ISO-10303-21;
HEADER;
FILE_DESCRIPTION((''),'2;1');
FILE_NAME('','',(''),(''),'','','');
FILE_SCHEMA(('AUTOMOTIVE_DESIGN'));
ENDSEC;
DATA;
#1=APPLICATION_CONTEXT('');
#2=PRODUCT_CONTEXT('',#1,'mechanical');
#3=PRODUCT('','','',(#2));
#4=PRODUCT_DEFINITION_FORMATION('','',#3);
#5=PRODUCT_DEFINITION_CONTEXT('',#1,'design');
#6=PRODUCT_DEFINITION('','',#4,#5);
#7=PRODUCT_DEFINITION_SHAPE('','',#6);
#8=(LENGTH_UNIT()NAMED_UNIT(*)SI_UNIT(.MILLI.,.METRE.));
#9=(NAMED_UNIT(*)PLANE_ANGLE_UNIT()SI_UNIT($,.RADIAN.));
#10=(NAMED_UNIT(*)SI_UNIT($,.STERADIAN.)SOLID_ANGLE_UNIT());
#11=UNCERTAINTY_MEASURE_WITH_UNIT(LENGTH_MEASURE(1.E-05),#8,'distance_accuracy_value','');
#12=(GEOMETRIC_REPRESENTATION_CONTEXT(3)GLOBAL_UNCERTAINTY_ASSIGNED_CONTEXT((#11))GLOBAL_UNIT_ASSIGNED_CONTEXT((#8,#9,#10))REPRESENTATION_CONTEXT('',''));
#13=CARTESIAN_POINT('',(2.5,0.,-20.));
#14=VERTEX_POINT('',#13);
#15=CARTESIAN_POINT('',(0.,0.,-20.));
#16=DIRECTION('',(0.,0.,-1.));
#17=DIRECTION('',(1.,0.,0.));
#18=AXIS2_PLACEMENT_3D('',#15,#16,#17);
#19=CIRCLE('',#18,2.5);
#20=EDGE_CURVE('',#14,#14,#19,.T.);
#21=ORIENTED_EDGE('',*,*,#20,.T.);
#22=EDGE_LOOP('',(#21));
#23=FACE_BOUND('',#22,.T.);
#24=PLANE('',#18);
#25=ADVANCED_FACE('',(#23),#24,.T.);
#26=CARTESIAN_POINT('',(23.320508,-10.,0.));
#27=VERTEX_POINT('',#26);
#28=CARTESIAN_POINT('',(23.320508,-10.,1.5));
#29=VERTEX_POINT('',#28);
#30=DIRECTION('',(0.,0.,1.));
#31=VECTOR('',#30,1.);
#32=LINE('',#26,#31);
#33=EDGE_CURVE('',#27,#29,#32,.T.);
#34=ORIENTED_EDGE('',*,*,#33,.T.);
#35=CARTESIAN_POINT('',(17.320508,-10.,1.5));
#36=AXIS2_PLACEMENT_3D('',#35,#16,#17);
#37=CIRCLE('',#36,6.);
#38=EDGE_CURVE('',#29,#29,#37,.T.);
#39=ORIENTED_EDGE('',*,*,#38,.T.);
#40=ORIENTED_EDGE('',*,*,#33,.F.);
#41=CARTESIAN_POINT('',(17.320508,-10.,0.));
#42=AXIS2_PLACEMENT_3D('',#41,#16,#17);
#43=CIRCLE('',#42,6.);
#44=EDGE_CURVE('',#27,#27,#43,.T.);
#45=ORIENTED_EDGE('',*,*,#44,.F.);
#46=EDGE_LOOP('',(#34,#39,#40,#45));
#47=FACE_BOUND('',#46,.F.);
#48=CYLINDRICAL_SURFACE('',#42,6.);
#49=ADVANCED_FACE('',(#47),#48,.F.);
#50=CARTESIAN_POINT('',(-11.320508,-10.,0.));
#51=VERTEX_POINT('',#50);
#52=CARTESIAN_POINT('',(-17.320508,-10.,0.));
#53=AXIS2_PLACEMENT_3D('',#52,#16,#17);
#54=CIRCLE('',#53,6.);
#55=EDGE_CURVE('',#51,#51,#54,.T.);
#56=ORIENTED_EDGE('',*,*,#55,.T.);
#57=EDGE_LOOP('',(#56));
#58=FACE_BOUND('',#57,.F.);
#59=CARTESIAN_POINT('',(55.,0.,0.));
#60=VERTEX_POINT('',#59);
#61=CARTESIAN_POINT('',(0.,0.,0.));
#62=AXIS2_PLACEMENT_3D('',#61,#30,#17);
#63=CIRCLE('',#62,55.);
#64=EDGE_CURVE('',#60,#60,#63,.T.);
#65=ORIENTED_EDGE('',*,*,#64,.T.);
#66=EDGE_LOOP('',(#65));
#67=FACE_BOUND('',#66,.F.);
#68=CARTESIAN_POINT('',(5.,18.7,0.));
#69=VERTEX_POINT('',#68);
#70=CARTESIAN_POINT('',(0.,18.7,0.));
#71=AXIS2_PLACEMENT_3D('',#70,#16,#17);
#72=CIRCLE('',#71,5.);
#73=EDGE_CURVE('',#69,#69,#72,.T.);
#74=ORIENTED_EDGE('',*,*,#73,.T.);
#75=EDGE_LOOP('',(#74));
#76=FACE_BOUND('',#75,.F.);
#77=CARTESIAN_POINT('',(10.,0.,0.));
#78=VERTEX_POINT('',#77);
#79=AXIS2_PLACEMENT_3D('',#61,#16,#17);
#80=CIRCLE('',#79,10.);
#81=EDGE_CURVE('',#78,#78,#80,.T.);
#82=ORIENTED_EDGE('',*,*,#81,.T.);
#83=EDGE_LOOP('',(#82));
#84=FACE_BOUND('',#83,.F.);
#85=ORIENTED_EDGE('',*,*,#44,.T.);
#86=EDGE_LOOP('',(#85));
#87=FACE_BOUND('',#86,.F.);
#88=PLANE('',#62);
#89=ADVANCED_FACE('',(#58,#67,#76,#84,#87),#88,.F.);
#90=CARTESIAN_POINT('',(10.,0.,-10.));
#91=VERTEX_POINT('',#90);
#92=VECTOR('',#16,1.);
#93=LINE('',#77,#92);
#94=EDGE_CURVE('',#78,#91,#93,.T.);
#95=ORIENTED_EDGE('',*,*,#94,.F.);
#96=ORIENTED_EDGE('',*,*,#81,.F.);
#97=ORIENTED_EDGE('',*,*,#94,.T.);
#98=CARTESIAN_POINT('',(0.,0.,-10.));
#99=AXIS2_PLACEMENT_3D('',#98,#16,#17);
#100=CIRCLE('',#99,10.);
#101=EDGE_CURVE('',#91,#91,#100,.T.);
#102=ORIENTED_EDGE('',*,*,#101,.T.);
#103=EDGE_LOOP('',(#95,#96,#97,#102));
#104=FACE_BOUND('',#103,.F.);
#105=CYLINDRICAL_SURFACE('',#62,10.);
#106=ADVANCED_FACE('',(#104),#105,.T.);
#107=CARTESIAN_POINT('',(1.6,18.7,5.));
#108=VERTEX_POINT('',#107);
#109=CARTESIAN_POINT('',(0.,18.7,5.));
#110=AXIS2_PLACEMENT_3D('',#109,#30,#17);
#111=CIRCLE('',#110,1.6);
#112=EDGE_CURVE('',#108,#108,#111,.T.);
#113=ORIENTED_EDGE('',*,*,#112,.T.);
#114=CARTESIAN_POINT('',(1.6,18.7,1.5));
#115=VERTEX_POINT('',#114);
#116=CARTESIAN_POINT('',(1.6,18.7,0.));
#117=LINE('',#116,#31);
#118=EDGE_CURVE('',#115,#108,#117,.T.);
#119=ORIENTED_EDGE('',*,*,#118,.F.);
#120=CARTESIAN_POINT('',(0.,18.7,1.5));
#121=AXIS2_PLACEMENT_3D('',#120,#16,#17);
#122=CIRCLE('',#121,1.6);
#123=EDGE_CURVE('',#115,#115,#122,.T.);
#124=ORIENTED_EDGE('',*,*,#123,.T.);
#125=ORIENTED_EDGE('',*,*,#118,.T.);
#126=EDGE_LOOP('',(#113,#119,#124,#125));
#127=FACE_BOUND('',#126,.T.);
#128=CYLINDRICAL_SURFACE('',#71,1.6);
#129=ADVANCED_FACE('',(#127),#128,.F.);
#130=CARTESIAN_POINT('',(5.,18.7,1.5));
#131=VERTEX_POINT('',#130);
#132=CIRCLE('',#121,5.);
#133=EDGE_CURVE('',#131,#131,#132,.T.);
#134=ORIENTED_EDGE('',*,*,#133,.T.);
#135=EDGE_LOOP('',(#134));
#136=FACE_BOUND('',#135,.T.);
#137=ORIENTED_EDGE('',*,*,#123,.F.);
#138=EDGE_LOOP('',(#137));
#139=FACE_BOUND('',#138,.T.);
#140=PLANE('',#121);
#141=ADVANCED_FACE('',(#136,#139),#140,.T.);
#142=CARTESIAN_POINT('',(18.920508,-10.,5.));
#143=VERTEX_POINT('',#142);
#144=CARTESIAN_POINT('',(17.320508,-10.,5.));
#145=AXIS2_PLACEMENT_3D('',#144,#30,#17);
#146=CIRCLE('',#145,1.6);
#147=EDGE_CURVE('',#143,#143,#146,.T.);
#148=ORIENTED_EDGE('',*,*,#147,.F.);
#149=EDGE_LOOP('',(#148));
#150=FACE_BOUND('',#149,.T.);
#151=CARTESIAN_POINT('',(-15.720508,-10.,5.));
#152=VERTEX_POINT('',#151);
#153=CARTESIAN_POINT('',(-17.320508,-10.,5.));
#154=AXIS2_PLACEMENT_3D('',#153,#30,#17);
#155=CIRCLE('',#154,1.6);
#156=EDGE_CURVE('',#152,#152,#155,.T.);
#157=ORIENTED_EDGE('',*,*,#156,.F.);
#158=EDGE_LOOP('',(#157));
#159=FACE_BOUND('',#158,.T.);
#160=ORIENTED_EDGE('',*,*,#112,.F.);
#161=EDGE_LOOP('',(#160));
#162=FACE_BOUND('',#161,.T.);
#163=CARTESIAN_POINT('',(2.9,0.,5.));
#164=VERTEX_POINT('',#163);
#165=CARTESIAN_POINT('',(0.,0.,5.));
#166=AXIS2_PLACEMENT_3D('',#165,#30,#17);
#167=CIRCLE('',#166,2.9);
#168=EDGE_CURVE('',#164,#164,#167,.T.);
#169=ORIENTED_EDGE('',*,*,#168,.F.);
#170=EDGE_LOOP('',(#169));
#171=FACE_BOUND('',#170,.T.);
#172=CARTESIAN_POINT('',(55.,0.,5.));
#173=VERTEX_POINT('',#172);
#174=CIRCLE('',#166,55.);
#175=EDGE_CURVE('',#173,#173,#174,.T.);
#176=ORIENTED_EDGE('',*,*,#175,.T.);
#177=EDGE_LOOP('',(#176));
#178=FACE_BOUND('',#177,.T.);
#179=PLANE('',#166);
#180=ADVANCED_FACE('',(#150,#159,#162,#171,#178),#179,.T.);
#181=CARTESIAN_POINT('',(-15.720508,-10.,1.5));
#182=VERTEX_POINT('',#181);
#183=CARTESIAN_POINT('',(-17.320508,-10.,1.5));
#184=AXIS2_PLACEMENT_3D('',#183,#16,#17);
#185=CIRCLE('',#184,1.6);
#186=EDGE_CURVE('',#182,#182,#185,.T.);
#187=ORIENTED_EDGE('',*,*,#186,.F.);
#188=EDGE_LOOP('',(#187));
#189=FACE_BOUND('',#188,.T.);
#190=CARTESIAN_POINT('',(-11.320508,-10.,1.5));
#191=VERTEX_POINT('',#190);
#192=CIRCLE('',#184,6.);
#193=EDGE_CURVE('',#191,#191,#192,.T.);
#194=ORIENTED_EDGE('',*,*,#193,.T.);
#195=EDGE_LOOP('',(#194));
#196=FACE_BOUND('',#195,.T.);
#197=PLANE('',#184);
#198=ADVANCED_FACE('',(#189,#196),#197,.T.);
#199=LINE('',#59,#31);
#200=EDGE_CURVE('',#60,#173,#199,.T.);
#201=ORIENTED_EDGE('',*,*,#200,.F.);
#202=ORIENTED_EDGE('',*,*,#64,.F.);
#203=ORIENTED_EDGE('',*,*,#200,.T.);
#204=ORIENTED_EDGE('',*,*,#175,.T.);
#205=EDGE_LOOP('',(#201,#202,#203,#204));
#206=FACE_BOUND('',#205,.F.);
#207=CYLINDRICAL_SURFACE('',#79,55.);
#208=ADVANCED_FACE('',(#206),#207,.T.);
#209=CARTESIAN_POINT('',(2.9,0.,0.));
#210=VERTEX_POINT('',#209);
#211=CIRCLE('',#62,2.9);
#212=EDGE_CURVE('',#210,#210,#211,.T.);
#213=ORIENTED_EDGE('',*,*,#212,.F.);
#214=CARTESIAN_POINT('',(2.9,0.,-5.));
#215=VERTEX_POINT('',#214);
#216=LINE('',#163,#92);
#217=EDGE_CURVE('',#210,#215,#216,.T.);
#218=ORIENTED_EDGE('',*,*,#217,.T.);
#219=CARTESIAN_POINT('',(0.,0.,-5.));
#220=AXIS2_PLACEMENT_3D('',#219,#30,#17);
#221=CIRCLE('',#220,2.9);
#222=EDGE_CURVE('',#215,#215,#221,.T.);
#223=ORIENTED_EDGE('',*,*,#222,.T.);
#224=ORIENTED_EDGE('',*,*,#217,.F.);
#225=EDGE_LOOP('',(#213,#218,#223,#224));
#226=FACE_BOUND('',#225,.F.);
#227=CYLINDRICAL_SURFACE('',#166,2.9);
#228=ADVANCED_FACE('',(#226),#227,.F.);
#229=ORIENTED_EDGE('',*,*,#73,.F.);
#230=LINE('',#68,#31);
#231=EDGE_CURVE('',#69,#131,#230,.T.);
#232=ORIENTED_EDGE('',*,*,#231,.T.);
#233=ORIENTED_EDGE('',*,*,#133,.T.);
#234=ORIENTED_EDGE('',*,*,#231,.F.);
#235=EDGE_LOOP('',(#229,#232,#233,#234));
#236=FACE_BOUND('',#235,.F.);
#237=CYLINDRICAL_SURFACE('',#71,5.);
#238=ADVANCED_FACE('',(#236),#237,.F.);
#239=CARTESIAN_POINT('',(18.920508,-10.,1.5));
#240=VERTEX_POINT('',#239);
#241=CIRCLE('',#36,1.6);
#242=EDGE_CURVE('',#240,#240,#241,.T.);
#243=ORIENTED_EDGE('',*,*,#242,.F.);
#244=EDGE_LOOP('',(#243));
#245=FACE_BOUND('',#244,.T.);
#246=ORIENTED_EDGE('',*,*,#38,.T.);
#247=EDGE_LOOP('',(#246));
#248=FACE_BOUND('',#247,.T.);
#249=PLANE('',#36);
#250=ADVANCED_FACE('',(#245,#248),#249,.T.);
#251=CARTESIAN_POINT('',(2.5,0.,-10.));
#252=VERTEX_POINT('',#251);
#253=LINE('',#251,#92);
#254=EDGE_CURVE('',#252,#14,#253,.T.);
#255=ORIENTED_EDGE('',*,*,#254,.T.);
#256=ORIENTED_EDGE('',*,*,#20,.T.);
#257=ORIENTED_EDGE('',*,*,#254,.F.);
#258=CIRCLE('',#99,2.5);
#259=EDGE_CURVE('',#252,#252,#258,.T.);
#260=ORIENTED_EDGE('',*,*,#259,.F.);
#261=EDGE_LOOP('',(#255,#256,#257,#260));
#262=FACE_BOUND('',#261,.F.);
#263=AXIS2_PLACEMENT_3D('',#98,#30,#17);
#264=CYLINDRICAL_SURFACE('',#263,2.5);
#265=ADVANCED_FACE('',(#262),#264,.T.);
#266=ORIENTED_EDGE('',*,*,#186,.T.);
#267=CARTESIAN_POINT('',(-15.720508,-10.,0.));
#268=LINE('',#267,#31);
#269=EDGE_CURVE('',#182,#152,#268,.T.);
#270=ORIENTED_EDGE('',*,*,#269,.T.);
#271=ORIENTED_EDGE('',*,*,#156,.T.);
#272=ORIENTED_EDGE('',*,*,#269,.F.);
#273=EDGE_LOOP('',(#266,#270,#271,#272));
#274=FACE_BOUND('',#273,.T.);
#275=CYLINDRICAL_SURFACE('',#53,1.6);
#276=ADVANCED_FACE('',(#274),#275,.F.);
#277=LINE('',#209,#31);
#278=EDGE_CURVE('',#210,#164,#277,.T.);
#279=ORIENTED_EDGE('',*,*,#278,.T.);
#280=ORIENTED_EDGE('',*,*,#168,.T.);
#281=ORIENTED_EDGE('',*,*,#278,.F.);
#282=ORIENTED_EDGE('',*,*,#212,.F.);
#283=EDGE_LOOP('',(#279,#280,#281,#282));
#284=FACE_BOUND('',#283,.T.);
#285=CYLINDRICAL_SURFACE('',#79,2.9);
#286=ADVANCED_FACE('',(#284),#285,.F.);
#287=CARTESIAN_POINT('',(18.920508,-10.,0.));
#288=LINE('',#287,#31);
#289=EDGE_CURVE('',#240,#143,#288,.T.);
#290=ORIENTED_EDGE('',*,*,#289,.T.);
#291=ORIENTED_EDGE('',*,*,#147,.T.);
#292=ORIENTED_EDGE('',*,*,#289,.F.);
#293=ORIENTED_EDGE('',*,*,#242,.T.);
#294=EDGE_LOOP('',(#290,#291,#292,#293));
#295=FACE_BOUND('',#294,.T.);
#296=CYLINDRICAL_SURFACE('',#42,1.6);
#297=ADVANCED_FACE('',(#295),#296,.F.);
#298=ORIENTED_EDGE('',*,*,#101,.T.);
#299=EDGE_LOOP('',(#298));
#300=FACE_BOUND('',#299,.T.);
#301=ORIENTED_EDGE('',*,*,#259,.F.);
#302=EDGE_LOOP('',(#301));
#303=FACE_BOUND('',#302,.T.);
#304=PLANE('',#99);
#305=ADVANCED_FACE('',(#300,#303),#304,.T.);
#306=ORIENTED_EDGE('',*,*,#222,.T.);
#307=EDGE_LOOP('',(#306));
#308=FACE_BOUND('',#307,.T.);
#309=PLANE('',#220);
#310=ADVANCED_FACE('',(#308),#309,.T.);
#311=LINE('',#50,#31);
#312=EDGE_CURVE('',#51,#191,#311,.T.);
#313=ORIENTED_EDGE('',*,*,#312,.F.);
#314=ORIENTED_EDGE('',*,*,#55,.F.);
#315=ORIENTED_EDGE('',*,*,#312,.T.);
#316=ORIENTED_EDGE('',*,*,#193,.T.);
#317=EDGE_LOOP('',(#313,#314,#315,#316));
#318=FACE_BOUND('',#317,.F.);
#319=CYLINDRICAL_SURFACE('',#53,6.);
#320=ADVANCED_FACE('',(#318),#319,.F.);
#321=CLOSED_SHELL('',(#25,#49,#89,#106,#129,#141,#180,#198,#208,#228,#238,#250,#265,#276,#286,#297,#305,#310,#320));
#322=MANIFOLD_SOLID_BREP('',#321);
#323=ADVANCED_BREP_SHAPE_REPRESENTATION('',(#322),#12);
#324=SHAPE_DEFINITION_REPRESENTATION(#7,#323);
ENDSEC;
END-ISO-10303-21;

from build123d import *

# Parameters (mm, degrees)
F0_R     = 55
F0_R_2   = 1.6
F0_R_3   = 2.9
F1_DEPTH = 5
F2_R     = 10
F3_DEPTH = 10
F4_R     = 2.9
F5_DEPTH = 10
F6_R     = 2.5
F7_DEPTH = 10
F8_R     = 6
F8_R_2   = 5
F9_DEPTH = 1.5


with BuildPart() as f1:
    # F0 (on Top) → F1 (new body)
    with BuildSketch(Plane.XY):
        Circle(F0_R)
        with Locations((-17.320508, -10)):
            Circle(F0_R_2, mode=Mode.SUBTRACT)
        with Locations((17.320508, -10)):
            Circle(F0_R_2, mode=Mode.SUBTRACT)
        Circle(F0_R_3, mode=Mode.SUBTRACT)
        with Locations((0, 18.7)):
            Circle(F0_R_2, mode=Mode.SUBTRACT)
    extrude(amount=F1_DEPTH)

    # F2 (on face) → F3 (join)
    with BuildSketch(Plane(origin=(0, 0, 0), x_dir=(1, 0, 0), z_dir=(0, 0, -1))):
        Circle(F2_R)
    extrude(amount=F3_DEPTH)

    # F4 (on face) → F5 (cut)
    with BuildSketch(Plane.XY.offset(5)):
        Circle(F4_R)
    extrude(amount=-F5_DEPTH, mode=Mode.SUBTRACT)

    # F6 (on face) → F7 (join)
    with BuildSketch(Plane(origin=(0, 0, -10), x_dir=(1, 0, 0), z_dir=(0, 0, -1))):
        Circle(F6_R)
    extrude(amount=F7_DEPTH)

    # F8 (on face) → F9 (cut)
    with BuildSketch(Plane(origin=(0, 0, 0), x_dir=(1, 0, 0), z_dir=(0, 0, -1))):
        with Locations((-17.320508, 10)):
            Circle(F8_R)
        with Locations((17.320508, 10)):
            Circle(F8_R)
        with Locations((0, -18.7)):
            Circle(F8_R_2)
    extrude(amount=-F9_DEPTH, mode=Mode.SUBTRACT)


solid = f1.part
